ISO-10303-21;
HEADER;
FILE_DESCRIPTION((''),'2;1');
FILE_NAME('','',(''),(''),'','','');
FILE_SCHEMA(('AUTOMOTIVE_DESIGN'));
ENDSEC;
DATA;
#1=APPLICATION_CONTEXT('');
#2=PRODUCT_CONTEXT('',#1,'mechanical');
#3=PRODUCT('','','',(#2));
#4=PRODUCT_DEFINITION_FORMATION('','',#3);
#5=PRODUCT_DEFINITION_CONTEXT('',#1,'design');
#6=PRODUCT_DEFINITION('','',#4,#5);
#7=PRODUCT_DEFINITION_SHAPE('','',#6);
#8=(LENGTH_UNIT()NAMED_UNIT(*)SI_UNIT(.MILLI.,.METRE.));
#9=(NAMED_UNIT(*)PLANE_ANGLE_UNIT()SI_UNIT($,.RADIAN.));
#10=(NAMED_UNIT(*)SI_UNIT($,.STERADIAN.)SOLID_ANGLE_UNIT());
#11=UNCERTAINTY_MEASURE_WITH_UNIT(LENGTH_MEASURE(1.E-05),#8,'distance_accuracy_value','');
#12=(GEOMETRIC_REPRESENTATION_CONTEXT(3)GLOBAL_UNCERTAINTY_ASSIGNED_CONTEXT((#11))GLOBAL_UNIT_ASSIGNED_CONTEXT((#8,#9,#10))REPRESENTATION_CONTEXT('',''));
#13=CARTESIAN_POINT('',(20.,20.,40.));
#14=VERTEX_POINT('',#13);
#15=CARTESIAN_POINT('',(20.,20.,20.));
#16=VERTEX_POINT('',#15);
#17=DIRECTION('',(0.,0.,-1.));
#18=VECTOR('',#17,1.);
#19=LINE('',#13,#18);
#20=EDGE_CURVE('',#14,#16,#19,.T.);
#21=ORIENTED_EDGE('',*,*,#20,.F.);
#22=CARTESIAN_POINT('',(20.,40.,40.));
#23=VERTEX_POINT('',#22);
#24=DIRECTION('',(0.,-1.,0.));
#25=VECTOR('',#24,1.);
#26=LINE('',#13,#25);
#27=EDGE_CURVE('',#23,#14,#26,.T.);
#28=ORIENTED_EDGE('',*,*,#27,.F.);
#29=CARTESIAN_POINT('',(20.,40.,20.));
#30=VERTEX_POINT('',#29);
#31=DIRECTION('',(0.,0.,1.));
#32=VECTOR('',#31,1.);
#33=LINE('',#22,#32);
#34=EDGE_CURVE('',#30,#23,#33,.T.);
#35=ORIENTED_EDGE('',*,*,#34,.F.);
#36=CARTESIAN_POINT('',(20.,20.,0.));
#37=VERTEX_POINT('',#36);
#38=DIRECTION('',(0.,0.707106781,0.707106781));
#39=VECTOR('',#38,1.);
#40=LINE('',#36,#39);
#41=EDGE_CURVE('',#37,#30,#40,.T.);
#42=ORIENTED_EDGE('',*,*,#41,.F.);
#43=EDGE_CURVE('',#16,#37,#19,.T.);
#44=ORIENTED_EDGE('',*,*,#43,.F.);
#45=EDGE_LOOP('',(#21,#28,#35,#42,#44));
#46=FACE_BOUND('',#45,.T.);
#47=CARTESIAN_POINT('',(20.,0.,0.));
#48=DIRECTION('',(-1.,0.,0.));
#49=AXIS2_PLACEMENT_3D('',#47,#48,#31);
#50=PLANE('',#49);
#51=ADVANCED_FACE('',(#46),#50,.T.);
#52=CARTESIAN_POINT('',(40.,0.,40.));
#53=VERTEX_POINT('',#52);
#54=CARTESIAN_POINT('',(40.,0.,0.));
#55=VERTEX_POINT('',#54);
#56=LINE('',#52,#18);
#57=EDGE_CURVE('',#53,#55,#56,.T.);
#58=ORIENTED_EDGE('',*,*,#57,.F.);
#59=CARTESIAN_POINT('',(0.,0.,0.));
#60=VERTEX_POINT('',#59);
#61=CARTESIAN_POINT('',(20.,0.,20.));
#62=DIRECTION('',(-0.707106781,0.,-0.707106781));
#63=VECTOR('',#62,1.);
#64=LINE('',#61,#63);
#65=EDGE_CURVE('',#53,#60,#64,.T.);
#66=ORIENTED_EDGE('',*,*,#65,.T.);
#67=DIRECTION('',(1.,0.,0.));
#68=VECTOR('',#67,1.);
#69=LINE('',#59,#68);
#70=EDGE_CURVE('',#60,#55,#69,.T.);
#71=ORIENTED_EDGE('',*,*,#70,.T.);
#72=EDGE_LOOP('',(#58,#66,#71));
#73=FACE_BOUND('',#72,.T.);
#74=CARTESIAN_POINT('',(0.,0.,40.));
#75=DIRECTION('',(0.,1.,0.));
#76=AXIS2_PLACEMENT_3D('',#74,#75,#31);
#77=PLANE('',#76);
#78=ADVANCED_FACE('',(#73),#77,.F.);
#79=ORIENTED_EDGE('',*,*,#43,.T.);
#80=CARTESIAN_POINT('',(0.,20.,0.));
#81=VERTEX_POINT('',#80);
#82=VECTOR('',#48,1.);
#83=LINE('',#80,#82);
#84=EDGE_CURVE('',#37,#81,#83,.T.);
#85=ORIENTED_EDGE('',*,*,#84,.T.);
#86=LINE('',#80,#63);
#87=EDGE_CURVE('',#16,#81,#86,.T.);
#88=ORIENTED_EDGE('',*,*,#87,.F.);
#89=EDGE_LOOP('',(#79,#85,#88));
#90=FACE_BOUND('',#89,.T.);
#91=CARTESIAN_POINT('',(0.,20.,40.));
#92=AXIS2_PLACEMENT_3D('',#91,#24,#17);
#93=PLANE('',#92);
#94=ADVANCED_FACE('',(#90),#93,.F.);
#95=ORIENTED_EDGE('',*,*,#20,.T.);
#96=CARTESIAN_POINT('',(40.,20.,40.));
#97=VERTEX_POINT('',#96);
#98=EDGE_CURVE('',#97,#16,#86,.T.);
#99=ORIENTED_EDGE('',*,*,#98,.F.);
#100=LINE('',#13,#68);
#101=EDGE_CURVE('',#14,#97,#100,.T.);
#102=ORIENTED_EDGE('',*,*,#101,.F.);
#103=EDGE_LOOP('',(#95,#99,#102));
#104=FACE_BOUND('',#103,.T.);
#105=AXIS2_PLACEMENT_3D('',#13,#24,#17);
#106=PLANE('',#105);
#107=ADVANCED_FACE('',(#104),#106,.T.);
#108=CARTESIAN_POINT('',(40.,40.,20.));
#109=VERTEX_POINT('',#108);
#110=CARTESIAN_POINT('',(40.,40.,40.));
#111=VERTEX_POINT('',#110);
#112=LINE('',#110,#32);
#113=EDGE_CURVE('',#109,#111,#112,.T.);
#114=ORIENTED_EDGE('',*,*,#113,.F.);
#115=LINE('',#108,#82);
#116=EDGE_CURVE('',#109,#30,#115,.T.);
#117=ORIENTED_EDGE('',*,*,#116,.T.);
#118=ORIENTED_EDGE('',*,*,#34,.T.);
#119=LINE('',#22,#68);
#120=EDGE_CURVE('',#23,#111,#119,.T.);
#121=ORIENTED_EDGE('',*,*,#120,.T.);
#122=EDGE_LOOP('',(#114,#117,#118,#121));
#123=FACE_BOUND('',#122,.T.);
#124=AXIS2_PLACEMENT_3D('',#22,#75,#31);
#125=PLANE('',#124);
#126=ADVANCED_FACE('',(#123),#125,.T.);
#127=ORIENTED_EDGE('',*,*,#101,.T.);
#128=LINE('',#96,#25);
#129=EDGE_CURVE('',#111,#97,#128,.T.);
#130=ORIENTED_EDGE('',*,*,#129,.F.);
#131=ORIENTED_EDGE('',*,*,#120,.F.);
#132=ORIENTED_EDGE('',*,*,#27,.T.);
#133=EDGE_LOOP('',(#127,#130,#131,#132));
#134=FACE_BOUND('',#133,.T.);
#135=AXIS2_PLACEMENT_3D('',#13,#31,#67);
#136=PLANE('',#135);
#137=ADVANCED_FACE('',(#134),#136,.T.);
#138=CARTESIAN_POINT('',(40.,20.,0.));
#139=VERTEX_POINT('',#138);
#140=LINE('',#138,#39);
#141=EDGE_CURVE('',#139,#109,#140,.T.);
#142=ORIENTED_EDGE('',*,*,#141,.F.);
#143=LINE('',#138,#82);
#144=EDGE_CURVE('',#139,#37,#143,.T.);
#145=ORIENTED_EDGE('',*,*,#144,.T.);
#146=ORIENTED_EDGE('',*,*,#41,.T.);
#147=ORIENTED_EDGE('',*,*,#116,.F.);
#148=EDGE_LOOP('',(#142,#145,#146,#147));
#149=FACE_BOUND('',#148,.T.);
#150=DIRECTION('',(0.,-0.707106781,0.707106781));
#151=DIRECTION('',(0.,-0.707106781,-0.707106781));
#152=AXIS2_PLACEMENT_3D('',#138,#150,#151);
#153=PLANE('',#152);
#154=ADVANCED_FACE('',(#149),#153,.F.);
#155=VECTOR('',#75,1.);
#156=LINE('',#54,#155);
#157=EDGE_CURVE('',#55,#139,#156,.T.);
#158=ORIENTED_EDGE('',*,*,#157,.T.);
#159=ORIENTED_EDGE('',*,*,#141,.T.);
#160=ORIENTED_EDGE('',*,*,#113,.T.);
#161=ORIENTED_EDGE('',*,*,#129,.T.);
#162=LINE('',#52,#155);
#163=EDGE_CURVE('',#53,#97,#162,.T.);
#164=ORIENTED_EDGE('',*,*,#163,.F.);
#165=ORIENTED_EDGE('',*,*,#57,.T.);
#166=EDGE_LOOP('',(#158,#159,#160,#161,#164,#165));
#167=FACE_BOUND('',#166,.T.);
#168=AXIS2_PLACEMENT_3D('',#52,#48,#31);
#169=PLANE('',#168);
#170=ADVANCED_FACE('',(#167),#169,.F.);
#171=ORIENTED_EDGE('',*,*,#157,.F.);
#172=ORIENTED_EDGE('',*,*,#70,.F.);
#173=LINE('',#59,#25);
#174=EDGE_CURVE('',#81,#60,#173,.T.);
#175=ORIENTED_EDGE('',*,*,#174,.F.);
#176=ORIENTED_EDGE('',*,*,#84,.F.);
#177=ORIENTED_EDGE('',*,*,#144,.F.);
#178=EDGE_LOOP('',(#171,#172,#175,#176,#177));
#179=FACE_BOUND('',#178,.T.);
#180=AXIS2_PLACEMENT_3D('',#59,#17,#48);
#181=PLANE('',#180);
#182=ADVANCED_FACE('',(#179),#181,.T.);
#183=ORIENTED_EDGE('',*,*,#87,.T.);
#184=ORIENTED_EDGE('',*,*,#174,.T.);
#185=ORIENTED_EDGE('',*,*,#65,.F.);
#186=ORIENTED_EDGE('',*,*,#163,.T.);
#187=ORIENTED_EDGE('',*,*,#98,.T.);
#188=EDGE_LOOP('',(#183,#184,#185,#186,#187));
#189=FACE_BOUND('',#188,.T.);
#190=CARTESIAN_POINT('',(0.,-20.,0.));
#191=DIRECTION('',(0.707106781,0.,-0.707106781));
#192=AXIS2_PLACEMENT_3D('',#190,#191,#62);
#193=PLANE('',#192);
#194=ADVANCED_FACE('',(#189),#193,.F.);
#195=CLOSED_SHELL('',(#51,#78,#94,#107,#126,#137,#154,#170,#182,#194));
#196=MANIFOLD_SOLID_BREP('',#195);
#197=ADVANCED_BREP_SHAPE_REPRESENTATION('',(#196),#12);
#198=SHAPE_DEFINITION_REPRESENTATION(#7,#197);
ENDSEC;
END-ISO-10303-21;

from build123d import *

# Parameters (mm, degrees)
SKETCH1_W           = 40
SKETCH1_H           = 20
BOSS_EXTRUDE1_DEPTH = 40
CUT_EXTRUDE1_DEPTH  = 40
SKETCH3_W           = 40
SKETCH3_H           = 20
BOSS_EXTRUDE2_DEPTH = 20
CUT_EXTRUDE2_DEPTH  = 20


with BuildPart() as part:
    # Sketch1 → Boss-Extrude1 (new body)
    with BuildSketch(Plane.XY):
        with Locations((20, 10)):
            Rectangle(SKETCH1_W, SKETCH1_H)
    extrude(amount=BOSS_EXTRUDE1_DEPTH)

    # Sketch2 → Cut-Extrude1 (cut)
    with BuildSketch(Plane(origin=(0, 20, 0), x_dir=(1, 0, 0), z_dir=(0, 1, 0))):
        Polygon((0, 0), (40, -40), (0, -40), align=None)
    extrude(amount=-CUT_EXTRUDE1_DEPTH, mode=Mode.SUBTRACT)

    # Sketch3 → Boss-Extrude2 (add)
    with BuildSketch(Plane(origin=(40, 0, 0), x_dir=(0, 0, -1), z_dir=(1, 0, 0))):
        with Locations((-20, 30)):
            Rectangle(SKETCH3_W, SKETCH3_H)
    extrude(amount=-BOSS_EXTRUDE2_DEPTH)

    # Sketch4 → Cut-Extrude2 (cut)
    with BuildSketch(Plane.ZY.offset(-20)):
        Polygon((0, 20), (20, 40), (0, 40), align=None)
    extrude(amount=-CUT_EXTRUDE2_DEPTH, mode=Mode.SUBTRACT)


solid = part.part
